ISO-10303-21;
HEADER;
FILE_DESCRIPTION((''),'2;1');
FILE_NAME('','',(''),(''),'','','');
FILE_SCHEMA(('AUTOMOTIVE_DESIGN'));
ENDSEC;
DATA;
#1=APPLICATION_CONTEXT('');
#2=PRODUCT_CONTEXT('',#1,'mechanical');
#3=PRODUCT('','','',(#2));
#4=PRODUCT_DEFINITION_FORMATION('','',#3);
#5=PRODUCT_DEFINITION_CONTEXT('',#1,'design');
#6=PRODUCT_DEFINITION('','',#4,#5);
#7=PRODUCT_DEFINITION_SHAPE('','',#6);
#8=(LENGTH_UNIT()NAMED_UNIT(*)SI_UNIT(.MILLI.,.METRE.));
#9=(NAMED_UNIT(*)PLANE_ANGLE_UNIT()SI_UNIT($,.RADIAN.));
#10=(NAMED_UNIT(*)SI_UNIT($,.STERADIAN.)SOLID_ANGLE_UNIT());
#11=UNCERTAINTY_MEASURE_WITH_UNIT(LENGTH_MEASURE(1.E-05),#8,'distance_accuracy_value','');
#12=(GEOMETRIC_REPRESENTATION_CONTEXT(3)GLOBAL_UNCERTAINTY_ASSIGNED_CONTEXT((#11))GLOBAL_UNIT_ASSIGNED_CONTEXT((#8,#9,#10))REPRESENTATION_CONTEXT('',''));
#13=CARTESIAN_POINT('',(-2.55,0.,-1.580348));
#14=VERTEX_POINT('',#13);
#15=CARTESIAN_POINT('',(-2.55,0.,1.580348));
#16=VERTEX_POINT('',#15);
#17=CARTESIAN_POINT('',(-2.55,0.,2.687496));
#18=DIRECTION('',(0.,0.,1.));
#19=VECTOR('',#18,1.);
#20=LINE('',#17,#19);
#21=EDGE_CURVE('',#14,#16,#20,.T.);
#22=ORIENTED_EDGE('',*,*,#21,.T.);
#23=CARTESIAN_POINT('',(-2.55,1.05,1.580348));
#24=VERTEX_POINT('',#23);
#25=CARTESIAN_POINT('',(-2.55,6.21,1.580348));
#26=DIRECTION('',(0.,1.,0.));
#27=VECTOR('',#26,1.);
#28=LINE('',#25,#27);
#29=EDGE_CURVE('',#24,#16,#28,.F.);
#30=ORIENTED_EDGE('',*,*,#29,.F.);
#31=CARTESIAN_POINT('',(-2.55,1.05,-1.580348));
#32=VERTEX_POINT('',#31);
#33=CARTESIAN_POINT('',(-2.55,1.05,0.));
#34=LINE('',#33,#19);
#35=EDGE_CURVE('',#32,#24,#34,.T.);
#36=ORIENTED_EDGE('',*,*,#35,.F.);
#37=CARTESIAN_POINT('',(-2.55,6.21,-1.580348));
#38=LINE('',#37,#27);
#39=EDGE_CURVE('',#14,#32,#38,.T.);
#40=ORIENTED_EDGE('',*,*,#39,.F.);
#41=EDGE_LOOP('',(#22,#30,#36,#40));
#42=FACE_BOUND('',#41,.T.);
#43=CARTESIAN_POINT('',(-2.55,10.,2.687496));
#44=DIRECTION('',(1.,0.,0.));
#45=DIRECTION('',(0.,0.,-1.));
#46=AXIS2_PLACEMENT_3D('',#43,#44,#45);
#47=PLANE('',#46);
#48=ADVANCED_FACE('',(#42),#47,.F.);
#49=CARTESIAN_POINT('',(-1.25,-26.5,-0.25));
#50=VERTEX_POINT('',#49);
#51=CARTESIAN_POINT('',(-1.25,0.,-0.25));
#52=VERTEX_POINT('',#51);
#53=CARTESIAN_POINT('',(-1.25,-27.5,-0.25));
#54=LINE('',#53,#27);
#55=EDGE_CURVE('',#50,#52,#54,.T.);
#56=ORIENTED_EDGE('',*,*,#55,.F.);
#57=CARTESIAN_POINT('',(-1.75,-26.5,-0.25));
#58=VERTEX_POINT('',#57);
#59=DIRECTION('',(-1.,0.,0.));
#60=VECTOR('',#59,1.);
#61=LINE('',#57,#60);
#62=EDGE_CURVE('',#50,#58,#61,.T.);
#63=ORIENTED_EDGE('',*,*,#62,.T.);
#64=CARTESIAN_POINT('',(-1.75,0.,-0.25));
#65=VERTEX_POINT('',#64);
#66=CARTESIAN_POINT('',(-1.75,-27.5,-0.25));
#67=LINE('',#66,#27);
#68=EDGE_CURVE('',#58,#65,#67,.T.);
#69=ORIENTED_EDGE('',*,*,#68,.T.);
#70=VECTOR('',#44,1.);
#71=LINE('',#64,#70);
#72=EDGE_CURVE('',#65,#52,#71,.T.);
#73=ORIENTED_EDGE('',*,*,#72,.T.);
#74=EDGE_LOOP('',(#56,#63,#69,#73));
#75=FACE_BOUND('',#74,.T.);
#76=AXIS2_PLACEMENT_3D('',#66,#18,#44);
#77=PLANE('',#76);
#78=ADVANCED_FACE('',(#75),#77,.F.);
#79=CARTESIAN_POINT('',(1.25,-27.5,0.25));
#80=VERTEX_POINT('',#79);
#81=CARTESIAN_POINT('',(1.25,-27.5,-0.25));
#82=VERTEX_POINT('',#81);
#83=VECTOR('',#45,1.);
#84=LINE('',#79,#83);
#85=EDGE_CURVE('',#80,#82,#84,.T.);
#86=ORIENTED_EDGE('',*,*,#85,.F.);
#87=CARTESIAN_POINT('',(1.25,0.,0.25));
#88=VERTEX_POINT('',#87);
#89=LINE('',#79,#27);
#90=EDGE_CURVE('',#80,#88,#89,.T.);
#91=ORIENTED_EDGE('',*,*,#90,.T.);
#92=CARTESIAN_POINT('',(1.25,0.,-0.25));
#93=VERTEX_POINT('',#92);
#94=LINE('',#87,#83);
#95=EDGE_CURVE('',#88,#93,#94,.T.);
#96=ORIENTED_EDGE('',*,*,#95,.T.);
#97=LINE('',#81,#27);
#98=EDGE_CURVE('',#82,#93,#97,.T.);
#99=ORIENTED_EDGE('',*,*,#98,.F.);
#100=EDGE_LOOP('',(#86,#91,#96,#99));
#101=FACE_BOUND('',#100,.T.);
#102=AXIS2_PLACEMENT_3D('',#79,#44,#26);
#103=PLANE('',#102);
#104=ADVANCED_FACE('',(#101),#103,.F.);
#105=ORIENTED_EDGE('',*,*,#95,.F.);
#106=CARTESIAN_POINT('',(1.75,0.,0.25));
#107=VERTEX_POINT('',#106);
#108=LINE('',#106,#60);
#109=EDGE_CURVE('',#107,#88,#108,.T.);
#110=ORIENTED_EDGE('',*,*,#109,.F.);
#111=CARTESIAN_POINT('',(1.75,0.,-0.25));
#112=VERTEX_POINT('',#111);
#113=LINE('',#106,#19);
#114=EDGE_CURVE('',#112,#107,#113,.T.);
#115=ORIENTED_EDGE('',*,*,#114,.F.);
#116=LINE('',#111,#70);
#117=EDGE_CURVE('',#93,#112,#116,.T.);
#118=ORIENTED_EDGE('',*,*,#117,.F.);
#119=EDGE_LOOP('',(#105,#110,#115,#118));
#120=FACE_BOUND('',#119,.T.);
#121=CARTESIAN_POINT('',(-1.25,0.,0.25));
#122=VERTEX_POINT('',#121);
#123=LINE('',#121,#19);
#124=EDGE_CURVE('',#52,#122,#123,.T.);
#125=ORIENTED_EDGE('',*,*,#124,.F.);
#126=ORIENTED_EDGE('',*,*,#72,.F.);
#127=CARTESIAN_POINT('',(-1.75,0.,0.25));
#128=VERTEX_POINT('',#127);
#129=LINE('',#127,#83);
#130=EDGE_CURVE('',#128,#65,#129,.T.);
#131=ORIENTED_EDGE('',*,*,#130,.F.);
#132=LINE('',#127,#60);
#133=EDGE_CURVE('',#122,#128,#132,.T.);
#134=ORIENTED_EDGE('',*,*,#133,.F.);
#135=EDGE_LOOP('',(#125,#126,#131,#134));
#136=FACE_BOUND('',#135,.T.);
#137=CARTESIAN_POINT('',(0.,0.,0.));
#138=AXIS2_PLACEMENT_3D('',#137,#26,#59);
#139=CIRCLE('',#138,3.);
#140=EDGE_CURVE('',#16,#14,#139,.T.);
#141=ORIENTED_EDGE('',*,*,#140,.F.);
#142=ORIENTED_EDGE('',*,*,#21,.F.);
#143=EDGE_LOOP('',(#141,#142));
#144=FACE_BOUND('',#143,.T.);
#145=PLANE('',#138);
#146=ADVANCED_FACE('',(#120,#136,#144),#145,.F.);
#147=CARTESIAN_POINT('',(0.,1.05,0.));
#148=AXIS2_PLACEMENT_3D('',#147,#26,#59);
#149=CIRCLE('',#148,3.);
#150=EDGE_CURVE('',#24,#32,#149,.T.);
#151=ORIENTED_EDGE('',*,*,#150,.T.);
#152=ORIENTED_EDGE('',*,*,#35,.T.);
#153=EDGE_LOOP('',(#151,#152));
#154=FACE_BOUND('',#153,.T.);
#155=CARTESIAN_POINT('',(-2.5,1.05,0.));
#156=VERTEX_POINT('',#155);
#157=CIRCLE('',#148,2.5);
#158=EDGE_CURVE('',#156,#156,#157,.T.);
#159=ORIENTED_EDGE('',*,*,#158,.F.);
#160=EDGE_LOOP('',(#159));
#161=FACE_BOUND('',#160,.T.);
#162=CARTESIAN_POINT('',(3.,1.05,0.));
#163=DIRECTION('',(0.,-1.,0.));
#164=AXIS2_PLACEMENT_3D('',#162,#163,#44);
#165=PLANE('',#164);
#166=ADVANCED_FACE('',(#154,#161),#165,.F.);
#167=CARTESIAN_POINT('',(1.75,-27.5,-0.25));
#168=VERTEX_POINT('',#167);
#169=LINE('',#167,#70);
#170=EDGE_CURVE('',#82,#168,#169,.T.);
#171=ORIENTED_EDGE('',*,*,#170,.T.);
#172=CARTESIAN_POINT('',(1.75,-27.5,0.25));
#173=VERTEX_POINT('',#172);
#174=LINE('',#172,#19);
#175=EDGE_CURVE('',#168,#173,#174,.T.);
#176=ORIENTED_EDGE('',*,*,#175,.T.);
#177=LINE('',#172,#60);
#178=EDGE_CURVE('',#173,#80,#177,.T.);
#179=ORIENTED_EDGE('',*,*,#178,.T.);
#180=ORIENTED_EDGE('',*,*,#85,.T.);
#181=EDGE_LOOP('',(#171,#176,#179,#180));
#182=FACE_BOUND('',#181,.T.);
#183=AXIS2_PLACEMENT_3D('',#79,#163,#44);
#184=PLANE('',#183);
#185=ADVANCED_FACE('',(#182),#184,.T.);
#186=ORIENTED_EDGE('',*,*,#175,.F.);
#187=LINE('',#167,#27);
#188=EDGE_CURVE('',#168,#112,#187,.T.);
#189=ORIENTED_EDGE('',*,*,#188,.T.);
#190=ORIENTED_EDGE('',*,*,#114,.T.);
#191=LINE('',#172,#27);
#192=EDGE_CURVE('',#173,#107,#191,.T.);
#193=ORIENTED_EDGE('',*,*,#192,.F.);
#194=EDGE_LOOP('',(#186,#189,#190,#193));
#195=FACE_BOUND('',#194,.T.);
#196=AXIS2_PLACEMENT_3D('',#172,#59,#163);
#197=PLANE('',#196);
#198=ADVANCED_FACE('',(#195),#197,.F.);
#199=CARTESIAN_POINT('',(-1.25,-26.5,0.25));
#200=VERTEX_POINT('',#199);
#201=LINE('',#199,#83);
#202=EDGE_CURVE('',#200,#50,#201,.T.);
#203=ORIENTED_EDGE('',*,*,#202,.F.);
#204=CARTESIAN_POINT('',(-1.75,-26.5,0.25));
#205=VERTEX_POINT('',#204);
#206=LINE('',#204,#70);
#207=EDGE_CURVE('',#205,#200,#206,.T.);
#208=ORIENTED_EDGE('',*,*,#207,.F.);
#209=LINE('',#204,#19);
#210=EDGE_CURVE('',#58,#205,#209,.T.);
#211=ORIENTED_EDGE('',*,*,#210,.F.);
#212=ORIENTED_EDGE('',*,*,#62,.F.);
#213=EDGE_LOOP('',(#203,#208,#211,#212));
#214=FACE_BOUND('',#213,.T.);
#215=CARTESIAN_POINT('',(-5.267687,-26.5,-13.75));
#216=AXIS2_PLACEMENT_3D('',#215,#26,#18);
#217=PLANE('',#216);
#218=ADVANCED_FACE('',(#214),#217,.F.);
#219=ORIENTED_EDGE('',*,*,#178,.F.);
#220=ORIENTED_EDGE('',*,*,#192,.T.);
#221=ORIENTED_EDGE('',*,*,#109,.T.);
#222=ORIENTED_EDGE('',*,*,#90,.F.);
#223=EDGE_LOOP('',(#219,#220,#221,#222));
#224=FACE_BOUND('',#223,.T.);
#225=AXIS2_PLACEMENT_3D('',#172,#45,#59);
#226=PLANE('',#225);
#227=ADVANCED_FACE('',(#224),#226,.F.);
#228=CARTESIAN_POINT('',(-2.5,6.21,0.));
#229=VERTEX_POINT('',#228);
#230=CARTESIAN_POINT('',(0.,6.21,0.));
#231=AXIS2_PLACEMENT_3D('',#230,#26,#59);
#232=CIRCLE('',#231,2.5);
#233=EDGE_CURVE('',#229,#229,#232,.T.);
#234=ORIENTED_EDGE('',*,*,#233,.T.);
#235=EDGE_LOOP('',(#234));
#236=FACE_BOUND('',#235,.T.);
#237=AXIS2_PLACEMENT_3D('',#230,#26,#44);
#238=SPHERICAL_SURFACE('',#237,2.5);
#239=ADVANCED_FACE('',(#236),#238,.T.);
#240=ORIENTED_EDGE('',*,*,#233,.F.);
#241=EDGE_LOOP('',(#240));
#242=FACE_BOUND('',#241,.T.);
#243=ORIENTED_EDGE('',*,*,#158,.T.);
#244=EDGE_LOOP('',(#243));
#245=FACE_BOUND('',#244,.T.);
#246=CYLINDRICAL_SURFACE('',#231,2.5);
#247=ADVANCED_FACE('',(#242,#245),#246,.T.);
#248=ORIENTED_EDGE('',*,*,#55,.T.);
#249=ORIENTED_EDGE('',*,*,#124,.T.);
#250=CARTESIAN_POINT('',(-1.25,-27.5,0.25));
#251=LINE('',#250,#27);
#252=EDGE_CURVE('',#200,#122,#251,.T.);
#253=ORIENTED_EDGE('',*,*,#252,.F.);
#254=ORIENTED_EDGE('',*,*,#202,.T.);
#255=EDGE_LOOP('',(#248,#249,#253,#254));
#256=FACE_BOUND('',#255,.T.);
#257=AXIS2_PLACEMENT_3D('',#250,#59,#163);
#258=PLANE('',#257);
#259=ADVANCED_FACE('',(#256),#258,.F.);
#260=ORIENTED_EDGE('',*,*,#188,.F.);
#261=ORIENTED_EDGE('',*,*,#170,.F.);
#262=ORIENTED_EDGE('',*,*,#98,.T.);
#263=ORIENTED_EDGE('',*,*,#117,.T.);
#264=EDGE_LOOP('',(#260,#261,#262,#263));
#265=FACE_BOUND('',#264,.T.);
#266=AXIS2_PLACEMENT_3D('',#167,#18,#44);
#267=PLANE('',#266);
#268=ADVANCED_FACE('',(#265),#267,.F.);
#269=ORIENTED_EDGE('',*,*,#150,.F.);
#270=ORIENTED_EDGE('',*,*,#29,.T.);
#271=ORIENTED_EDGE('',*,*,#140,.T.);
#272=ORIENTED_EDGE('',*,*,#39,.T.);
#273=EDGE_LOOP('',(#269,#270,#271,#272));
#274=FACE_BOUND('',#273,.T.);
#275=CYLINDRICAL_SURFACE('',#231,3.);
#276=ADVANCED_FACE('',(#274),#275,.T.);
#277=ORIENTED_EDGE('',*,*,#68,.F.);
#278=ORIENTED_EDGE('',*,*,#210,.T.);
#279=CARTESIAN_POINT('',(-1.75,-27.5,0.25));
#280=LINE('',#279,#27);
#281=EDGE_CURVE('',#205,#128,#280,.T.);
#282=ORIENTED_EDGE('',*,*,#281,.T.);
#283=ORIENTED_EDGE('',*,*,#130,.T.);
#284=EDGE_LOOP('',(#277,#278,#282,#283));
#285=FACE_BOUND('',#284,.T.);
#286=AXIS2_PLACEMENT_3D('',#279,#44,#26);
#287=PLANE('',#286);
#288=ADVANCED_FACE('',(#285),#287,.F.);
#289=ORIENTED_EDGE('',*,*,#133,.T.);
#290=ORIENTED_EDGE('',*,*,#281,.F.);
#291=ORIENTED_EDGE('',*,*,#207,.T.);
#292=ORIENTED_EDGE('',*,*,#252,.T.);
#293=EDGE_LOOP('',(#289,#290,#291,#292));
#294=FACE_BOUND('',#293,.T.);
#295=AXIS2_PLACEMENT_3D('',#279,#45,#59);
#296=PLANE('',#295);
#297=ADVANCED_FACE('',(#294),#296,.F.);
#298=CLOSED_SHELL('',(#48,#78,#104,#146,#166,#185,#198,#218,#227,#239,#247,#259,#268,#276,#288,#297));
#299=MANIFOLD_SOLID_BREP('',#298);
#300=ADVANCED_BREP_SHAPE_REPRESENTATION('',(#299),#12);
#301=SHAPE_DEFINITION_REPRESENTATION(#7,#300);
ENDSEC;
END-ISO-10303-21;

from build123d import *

# Parameters (mm, degrees)
SKETCH2_W           = 3.02065634
SKETCH2_H           = 7.518324789
CUT_EXTRUDE1_DEPTH  = 10
SKETCH3_W           = 0.5
SKETCH3_H           = 0.5
BOSS_EXTRUDE1_DEPTH = 27.5
SKETCH4_W           = 5.267687
SKETCH4_H           = 3.125919431
CUT_EXTRUDE2_DEPTH  = 13.75


with BuildPart() as part:
    # Sketch1 → Revolve1 (revolve)
    with BuildSketch(Plane.XY):
        with BuildLine():
            Line((0, 0), (3, 0))
            Line((3, 0), (3, 1.05))
            Line((3, 1.05), (2.5, 1.05))
            Line((2.5, 1.05), (2.5, 6.21))
            ThreePointArc((2.5, 6.21), (1.767766953, 7.977766953), (0, 8.71))
            Line((0, 8.71), (0, 6.21))
            Line((0, 6.21), (0, 0))
        make_face()
    revolve(axis=Axis((0, 6.21, 0), (0, -1, 0)))

    # Sketch2 → Cut-Extrude1 (cut)
    with BuildSketch(Plane.XZ):
        with Locations((-4.06032817, -1.07166668)):
            Rectangle(SKETCH2_W, SKETCH2_H)
    extrude(amount=-CUT_EXTRUDE1_DEPTH, mode=Mode.SUBTRACT)

    # Sketch3 → Boss-Extrude1 (add)
    with BuildSketch(Plane.XZ):
        with Locations((-1.5, 0)):
            Rectangle(SKETCH3_W, SKETCH3_H)
        with Locations((1.5, 0)):
            Rectangle(SKETCH3_W, SKETCH3_H)
    extrude(amount=BOSS_EXTRUDE1_DEPTH)

    # Sketch4 → Cut-Extrude2 (cut, symmetric)
    with BuildSketch(Plane.XY):
        with Locations((-2.6338435, -28.062959715)):
            Rectangle(SKETCH4_W, SKETCH4_H)
    extrude(amount=CUT_EXTRUDE2_DEPTH, both=True, mode=Mode.SUBTRACT)


solid = part.part
